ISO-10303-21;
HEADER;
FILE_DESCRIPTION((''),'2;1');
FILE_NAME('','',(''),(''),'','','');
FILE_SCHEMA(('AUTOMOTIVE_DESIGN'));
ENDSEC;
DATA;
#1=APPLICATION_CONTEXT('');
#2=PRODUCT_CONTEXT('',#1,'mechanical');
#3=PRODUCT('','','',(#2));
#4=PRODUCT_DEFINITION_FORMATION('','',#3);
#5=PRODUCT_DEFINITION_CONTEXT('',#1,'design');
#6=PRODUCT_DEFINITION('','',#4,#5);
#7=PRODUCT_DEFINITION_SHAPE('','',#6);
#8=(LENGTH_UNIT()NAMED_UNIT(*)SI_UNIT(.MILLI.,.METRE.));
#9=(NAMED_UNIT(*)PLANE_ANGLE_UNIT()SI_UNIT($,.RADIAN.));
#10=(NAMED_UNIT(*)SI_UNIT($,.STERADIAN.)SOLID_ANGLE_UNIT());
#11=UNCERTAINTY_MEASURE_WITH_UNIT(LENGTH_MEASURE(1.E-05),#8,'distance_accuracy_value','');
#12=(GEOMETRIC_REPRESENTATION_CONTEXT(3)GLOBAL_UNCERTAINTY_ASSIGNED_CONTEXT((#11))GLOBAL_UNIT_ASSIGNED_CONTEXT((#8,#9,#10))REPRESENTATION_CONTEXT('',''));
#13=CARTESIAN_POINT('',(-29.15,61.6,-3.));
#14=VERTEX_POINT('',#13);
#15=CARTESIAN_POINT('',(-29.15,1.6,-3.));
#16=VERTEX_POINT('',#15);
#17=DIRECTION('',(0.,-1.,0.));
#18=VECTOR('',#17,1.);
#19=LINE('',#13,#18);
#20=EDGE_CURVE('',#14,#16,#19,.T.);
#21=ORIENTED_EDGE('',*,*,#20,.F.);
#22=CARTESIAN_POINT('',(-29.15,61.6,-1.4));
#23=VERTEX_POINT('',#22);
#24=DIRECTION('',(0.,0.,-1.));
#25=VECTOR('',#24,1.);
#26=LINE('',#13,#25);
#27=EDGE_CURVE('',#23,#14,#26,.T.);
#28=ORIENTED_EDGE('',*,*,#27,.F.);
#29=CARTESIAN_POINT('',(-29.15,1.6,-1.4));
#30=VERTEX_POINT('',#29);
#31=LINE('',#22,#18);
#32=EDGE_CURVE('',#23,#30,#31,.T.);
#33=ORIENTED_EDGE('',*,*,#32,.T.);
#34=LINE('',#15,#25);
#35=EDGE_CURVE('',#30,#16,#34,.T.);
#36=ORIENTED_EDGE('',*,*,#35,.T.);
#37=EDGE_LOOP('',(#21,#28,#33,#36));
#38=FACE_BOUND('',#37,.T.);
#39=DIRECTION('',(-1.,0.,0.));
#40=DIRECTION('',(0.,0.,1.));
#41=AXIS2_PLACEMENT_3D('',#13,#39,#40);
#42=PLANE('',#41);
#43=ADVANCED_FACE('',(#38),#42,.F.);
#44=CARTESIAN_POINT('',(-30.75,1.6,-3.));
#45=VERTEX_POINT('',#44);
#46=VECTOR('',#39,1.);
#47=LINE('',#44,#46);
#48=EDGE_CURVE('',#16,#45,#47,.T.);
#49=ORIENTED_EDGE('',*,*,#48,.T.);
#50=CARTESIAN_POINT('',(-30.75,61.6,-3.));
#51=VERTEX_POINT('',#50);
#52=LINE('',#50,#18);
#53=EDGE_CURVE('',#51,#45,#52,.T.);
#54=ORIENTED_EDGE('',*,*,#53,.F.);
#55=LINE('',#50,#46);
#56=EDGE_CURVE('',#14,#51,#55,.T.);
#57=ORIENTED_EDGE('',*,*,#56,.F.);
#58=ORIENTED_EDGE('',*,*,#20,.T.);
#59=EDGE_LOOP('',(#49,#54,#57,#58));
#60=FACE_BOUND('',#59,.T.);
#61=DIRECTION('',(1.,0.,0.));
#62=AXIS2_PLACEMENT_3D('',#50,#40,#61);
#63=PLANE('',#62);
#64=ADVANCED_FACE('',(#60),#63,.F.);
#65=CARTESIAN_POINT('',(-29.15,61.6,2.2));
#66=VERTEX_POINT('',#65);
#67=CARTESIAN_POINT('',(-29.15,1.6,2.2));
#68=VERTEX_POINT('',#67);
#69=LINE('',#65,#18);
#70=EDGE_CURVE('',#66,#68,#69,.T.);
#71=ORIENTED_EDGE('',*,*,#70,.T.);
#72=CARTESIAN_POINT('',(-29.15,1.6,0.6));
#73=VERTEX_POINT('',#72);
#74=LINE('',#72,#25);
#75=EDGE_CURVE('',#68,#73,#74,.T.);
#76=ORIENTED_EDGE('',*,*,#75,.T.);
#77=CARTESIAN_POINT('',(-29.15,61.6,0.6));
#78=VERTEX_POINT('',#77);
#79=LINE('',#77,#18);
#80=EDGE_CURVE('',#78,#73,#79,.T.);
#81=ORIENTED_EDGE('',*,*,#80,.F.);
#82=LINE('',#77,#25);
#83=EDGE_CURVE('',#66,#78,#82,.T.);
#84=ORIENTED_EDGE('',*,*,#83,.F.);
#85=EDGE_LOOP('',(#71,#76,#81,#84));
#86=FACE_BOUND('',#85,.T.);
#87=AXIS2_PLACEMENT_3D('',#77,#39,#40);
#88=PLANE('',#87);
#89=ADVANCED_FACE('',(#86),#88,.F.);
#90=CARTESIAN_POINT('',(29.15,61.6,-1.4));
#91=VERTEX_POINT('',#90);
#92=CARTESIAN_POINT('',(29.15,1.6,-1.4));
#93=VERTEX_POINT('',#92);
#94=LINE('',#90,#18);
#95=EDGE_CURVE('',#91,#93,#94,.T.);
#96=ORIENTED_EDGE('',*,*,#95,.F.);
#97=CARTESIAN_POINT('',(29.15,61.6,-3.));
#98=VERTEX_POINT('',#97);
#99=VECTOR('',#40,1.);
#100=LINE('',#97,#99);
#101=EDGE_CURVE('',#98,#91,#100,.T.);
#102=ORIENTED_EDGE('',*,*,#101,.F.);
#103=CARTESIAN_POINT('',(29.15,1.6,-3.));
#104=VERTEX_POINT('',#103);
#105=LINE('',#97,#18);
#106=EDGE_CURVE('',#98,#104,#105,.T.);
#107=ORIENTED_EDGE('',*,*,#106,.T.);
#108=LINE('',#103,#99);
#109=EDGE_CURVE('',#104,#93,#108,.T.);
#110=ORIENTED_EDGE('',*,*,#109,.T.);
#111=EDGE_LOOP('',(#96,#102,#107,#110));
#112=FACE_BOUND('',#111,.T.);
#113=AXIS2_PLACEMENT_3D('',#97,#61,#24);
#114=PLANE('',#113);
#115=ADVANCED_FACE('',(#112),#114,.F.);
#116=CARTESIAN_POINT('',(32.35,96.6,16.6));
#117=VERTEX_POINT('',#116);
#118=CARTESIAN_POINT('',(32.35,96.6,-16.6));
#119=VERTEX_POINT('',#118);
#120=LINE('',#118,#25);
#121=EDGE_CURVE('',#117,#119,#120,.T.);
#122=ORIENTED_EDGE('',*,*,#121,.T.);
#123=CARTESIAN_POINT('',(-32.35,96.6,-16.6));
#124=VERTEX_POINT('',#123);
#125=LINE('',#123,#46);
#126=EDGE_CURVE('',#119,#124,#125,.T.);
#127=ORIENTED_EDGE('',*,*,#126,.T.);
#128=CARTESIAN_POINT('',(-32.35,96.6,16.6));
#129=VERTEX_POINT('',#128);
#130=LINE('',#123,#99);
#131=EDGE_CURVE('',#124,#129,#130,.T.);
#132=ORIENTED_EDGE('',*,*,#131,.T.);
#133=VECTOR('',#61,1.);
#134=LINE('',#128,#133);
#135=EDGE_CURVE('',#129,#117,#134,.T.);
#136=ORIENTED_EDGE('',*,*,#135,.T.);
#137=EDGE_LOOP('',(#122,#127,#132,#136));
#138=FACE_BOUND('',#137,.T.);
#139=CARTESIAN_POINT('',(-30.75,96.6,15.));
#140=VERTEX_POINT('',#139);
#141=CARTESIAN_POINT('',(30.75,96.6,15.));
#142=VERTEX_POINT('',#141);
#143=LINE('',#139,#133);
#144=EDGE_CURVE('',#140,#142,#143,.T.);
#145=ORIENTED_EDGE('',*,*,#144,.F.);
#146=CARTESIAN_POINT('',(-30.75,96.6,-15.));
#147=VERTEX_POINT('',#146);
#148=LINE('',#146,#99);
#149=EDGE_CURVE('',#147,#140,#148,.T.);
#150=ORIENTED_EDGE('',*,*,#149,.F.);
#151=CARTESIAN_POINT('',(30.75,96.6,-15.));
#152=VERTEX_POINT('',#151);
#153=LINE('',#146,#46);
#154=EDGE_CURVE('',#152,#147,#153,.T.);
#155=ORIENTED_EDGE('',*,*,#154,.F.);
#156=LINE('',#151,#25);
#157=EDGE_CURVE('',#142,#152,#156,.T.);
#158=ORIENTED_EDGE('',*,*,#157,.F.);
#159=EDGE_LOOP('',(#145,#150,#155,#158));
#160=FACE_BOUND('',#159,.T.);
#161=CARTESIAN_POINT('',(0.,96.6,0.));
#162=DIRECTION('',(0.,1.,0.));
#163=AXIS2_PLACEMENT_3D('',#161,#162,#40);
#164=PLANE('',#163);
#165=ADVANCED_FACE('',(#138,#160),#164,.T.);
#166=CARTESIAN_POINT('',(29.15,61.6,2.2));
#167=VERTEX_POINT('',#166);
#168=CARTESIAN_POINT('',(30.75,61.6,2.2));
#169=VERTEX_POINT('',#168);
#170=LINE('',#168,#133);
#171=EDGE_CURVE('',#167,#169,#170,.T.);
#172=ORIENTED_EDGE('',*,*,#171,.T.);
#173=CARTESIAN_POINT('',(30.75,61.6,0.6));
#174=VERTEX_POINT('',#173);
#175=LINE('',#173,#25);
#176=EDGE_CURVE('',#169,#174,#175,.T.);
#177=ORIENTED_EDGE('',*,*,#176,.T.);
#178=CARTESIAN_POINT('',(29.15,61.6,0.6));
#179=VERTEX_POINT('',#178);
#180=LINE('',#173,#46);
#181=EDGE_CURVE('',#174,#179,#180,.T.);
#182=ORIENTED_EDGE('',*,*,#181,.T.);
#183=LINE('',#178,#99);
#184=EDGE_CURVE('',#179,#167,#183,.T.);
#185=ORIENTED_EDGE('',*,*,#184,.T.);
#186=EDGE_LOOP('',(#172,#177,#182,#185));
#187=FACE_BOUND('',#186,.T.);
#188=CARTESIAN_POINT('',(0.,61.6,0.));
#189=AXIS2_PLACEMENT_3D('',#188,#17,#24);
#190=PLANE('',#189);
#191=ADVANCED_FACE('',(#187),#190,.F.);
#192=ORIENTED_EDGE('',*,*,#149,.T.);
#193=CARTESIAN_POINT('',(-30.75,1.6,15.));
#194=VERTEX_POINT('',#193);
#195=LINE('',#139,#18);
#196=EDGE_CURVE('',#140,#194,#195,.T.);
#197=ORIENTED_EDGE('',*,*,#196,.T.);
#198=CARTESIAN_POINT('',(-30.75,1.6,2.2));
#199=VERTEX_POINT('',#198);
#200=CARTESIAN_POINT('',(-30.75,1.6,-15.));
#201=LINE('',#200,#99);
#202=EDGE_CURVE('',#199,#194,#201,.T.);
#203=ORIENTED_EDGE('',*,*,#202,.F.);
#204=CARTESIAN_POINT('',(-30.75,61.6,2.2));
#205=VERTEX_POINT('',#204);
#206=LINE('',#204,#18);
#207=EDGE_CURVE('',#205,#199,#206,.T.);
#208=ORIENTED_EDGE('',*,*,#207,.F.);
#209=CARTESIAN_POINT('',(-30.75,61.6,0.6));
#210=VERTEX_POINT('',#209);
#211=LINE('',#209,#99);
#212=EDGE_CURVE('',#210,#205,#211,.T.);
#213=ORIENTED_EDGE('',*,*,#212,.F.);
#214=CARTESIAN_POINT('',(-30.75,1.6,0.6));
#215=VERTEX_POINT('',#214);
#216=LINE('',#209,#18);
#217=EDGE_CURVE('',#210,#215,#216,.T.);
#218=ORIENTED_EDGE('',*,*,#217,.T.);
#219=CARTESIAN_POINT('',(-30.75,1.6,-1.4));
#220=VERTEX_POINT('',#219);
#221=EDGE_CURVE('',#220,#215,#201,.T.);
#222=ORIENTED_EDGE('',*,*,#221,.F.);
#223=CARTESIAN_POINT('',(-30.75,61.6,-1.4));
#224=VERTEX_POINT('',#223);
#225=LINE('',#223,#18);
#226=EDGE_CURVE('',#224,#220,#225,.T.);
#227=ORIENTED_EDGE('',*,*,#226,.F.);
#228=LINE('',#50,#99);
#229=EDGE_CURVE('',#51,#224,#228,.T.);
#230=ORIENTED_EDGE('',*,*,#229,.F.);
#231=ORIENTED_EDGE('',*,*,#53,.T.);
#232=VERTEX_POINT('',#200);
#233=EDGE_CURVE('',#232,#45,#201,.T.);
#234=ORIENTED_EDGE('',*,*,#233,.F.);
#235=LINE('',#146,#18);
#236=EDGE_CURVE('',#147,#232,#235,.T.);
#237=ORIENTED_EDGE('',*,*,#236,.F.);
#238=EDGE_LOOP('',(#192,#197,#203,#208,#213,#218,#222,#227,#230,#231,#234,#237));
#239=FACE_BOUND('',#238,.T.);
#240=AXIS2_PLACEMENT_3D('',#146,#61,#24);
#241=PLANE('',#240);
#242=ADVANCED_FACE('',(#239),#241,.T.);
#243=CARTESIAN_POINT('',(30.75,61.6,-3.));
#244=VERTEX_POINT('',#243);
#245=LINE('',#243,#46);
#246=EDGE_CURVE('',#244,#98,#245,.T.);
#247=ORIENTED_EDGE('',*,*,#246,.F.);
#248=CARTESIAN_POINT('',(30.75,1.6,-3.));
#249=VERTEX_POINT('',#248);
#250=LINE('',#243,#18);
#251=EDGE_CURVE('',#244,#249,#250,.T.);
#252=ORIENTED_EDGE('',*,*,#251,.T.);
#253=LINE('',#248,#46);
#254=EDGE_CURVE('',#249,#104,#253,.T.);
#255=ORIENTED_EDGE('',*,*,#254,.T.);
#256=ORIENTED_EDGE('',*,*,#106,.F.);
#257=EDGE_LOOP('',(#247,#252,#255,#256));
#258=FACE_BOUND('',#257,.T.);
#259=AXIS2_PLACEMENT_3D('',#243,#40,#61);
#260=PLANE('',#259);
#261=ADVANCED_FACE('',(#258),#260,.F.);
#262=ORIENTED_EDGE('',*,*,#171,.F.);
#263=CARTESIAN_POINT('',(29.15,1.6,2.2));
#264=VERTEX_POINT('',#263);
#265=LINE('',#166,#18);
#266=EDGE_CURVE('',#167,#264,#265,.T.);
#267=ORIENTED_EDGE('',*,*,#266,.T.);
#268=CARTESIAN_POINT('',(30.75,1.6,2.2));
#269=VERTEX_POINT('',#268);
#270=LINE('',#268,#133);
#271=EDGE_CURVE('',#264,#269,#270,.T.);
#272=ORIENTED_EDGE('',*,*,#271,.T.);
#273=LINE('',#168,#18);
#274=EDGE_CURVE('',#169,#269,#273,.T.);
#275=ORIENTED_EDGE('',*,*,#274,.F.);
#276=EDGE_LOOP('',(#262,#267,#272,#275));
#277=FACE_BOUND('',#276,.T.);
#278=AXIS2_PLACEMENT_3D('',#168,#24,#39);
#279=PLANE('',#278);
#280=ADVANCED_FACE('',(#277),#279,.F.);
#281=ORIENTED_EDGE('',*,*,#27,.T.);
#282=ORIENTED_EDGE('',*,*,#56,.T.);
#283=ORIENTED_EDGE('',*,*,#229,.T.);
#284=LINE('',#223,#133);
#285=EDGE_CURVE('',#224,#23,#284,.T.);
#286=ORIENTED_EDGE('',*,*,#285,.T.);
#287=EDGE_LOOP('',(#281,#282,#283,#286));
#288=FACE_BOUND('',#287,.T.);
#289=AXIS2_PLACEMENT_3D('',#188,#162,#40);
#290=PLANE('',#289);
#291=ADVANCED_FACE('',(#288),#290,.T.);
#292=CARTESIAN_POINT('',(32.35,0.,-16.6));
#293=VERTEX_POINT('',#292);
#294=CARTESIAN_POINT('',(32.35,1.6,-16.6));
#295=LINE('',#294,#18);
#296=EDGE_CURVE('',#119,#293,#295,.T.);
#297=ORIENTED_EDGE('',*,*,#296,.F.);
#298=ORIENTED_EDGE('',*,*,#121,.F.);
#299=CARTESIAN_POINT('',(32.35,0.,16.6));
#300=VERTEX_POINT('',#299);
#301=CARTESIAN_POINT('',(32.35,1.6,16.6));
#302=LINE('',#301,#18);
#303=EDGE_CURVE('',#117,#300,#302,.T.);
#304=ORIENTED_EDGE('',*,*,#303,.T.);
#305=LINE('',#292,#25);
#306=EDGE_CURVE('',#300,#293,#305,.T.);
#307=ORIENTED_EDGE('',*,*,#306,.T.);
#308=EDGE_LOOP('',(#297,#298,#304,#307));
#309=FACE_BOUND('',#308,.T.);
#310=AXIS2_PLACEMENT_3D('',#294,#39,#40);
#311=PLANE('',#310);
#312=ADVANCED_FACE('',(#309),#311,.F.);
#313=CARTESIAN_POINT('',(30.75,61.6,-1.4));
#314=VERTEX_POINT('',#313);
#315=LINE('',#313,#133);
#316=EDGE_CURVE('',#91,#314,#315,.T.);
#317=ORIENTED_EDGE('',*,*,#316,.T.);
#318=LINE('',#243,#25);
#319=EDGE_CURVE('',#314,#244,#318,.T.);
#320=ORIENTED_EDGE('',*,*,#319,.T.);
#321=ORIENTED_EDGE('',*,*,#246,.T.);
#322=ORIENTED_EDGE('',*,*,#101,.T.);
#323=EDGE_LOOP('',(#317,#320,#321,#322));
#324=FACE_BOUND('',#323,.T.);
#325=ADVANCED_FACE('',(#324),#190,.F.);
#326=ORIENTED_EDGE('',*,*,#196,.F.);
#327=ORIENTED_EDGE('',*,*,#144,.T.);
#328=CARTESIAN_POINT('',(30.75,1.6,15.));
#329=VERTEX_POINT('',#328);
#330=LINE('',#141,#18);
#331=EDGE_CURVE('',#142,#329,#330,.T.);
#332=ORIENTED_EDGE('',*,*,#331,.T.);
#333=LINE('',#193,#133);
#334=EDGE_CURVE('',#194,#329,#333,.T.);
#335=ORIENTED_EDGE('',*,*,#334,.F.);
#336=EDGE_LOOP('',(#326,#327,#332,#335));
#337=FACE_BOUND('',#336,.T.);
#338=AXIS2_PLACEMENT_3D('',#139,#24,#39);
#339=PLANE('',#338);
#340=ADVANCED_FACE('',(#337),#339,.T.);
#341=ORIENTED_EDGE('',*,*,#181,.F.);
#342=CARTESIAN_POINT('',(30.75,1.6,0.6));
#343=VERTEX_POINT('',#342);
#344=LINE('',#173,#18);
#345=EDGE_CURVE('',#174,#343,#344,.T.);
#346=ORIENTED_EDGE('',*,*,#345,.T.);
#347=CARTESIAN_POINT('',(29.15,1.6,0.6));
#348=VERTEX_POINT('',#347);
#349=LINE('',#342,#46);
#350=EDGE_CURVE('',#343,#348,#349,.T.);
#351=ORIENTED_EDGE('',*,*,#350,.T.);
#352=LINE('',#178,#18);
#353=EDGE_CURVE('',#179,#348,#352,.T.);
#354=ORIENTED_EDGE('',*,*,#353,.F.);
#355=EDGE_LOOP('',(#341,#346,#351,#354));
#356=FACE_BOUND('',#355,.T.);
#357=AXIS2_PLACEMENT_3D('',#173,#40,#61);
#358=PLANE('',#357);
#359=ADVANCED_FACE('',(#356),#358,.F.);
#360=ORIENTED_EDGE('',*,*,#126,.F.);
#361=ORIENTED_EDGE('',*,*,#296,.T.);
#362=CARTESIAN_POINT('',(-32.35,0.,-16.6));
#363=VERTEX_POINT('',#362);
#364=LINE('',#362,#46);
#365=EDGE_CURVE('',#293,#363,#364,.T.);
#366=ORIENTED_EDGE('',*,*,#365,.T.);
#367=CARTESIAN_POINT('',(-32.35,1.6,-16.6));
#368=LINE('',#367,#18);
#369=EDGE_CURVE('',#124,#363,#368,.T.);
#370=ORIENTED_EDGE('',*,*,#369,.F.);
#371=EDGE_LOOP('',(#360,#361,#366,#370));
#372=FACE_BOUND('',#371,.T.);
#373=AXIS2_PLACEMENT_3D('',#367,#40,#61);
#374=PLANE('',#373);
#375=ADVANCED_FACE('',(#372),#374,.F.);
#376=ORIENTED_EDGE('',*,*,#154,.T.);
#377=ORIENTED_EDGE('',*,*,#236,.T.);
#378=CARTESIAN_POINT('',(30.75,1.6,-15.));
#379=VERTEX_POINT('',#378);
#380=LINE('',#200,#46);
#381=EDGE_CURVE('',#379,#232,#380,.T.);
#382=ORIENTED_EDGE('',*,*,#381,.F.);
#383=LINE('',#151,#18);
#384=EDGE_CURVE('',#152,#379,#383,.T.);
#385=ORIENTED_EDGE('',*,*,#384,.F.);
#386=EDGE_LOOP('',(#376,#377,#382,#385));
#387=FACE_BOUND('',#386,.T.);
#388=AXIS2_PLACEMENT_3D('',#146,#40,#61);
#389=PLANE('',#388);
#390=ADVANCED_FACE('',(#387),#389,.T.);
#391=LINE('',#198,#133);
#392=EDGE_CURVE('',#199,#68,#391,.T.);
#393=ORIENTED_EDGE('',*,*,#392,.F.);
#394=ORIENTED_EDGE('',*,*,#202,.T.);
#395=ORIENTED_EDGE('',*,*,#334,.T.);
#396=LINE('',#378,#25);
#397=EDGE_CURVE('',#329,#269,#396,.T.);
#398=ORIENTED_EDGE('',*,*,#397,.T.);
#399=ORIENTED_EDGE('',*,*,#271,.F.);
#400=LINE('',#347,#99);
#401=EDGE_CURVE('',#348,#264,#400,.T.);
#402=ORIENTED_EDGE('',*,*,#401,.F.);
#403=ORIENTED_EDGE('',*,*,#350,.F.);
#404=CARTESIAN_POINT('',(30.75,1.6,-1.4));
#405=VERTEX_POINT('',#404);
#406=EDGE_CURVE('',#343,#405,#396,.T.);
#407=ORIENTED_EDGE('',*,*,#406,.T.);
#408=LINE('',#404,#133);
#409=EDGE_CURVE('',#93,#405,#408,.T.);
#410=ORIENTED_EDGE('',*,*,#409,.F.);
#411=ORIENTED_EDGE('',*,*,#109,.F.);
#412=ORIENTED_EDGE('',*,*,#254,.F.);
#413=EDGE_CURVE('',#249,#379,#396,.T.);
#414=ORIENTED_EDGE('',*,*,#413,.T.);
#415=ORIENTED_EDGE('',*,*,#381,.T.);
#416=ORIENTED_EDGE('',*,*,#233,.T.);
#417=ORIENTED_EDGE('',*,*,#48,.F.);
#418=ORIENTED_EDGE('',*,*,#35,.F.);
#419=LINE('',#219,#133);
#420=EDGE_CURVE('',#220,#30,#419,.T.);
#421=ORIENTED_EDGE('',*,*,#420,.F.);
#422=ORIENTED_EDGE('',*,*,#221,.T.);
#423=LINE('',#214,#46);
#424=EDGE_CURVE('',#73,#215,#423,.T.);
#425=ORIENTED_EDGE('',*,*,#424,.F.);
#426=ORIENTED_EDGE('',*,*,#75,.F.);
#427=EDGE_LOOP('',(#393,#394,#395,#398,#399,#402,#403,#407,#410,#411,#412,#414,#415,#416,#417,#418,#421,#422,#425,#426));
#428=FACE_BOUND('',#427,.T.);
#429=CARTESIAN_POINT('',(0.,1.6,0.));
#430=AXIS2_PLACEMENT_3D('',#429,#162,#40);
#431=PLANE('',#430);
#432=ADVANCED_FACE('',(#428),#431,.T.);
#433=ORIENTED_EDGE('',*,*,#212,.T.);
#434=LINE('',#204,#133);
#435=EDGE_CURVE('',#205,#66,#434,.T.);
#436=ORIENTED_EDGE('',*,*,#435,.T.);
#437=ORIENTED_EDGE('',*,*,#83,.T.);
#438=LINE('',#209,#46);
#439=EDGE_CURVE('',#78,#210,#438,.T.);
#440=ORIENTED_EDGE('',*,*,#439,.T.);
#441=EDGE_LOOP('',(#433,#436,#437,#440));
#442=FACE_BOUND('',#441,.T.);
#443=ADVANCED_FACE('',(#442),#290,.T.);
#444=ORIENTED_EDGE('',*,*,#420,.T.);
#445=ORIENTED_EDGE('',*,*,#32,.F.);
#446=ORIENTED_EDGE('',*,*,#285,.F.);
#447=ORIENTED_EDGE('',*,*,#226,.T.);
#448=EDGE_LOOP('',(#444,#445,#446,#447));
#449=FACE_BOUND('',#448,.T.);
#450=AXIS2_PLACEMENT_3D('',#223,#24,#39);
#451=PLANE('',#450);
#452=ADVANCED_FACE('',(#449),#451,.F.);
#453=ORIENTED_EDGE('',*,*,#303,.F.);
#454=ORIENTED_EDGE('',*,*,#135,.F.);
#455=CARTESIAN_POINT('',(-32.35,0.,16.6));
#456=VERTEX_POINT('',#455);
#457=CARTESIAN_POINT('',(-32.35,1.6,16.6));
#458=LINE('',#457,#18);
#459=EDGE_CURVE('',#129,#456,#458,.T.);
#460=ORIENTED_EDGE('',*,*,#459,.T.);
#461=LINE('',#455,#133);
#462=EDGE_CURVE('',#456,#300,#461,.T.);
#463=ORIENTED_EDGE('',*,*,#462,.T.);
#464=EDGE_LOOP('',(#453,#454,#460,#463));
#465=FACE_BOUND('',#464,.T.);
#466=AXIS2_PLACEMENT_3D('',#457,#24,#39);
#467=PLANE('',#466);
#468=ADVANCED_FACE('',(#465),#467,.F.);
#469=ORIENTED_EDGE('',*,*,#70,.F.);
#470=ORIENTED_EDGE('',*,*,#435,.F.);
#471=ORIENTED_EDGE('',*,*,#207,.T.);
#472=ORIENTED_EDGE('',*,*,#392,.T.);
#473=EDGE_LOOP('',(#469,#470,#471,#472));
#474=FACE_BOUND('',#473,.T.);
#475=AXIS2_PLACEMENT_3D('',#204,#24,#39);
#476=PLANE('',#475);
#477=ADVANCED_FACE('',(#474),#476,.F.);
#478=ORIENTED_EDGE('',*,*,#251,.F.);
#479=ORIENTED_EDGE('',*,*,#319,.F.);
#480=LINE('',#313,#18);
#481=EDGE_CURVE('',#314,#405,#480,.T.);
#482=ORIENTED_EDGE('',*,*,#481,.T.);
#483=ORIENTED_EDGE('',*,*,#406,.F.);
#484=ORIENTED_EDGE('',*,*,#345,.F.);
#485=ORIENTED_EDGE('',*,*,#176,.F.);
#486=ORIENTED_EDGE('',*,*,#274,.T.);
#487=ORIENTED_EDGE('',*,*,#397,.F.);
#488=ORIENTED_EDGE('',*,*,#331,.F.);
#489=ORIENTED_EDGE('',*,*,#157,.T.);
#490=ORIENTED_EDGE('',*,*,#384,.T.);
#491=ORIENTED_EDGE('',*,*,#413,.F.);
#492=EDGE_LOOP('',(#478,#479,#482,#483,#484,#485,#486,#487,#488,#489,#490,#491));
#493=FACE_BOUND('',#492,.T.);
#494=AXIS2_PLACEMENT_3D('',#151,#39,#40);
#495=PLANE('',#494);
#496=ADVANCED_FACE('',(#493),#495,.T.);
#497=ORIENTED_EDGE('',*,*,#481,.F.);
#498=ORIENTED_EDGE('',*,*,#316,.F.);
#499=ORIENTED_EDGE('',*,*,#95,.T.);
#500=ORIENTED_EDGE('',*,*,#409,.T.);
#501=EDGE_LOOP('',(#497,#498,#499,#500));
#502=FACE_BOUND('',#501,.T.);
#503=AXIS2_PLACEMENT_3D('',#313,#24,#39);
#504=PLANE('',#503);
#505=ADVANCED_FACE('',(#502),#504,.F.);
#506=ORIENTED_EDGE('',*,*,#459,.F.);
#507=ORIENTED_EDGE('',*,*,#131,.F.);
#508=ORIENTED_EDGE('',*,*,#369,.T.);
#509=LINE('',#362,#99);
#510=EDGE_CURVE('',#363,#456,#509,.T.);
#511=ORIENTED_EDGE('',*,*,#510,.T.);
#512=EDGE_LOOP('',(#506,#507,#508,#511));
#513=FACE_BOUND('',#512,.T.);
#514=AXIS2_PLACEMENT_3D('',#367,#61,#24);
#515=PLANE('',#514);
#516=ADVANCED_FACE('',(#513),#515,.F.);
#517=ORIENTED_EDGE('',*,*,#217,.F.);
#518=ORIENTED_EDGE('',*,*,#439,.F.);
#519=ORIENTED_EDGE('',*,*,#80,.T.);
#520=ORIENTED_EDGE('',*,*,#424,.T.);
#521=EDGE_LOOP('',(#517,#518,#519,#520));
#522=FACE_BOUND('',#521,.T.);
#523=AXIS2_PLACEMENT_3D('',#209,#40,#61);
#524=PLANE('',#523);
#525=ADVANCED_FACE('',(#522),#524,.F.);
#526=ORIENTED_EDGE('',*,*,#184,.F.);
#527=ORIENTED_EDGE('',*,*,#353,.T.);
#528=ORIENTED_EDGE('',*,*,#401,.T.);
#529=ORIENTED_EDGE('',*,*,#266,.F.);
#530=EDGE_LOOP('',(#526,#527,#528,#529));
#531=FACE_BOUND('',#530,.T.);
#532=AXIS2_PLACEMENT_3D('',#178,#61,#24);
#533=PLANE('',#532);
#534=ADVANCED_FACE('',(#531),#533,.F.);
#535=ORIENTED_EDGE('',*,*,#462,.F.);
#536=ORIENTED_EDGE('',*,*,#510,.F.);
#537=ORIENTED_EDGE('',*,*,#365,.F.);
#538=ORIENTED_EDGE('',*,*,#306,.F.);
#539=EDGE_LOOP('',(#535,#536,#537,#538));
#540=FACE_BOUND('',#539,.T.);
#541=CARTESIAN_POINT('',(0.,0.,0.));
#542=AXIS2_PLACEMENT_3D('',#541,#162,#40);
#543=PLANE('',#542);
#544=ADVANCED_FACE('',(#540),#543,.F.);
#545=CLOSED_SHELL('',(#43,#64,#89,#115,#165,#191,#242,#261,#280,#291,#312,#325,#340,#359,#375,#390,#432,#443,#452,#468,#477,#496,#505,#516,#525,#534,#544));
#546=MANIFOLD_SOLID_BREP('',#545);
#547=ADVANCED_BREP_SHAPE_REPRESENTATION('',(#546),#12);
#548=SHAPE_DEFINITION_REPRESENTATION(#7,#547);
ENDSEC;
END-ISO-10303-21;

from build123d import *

# Parameters (mm, degrees)
SKETCH_1_W      = 64.7
SKETCH_1_H      = 33.2
EXTRUDE_1_DEPTH = 1.6
SKETCH_2_W      = 64.7
SKETCH_2_H      = 33.2
SKETCH_2_W_2    = 61.5
SKETCH_2_H_2    = 30
EXTRUDE_2_DEPTH = 95
SKETCH_4_W      = 1.6
SKETCH_4_H      = 1.6
EXTRUDE_3_DEPTH = 60


with BuildPart() as part:
    # Эскиз1 → Бобышка-Вытянуть1 (new body)
    with BuildSketch(Plane(origin=(0, 0, 0), x_dir=(1, 0, 0), z_dir=(0, 1, 0))):
        Rectangle(SKETCH_1_W, SKETCH_1_H)
    extrude(amount=EXTRUDE_1_DEPTH)

    # Эскиз2 → Бобышка-Вытянуть2 (add)
    with BuildSketch(Plane(origin=(0, 1.6, 0), x_dir=(1, 0, 0), z_dir=(0, 1, 0))):
        Rectangle(SKETCH_2_W, SKETCH_2_H)
        Rectangle(SKETCH_2_W_2, SKETCH_2_H_2, mode=Mode.SUBTRACT)
    extrude(amount=EXTRUDE_2_DEPTH)

    # Эскиз4 → Бобышка-Вытянуть3 (add)
    with BuildSketch(Plane(origin=(0, 1.6, 0), x_dir=(1, 0, 0), z_dir=(0, 1, 0))):
        with Locations((-29.95, 2.2)):
            Rectangle(SKETCH_4_W, SKETCH_4_H)
        with Locations((29.95, -1.4)):
            Rectangle(SKETCH_4_W, SKETCH_4_H)
        with Locations((-29.95, -1.4)):
            Rectangle(SKETCH_4_W, SKETCH_4_H)
        with Locations((29.95, 2.2)):
            Rectangle(SKETCH_4_W, SKETCH_4_H)
    extrude(amount=EXTRUDE_3_DEPTH)


solid = part.part
